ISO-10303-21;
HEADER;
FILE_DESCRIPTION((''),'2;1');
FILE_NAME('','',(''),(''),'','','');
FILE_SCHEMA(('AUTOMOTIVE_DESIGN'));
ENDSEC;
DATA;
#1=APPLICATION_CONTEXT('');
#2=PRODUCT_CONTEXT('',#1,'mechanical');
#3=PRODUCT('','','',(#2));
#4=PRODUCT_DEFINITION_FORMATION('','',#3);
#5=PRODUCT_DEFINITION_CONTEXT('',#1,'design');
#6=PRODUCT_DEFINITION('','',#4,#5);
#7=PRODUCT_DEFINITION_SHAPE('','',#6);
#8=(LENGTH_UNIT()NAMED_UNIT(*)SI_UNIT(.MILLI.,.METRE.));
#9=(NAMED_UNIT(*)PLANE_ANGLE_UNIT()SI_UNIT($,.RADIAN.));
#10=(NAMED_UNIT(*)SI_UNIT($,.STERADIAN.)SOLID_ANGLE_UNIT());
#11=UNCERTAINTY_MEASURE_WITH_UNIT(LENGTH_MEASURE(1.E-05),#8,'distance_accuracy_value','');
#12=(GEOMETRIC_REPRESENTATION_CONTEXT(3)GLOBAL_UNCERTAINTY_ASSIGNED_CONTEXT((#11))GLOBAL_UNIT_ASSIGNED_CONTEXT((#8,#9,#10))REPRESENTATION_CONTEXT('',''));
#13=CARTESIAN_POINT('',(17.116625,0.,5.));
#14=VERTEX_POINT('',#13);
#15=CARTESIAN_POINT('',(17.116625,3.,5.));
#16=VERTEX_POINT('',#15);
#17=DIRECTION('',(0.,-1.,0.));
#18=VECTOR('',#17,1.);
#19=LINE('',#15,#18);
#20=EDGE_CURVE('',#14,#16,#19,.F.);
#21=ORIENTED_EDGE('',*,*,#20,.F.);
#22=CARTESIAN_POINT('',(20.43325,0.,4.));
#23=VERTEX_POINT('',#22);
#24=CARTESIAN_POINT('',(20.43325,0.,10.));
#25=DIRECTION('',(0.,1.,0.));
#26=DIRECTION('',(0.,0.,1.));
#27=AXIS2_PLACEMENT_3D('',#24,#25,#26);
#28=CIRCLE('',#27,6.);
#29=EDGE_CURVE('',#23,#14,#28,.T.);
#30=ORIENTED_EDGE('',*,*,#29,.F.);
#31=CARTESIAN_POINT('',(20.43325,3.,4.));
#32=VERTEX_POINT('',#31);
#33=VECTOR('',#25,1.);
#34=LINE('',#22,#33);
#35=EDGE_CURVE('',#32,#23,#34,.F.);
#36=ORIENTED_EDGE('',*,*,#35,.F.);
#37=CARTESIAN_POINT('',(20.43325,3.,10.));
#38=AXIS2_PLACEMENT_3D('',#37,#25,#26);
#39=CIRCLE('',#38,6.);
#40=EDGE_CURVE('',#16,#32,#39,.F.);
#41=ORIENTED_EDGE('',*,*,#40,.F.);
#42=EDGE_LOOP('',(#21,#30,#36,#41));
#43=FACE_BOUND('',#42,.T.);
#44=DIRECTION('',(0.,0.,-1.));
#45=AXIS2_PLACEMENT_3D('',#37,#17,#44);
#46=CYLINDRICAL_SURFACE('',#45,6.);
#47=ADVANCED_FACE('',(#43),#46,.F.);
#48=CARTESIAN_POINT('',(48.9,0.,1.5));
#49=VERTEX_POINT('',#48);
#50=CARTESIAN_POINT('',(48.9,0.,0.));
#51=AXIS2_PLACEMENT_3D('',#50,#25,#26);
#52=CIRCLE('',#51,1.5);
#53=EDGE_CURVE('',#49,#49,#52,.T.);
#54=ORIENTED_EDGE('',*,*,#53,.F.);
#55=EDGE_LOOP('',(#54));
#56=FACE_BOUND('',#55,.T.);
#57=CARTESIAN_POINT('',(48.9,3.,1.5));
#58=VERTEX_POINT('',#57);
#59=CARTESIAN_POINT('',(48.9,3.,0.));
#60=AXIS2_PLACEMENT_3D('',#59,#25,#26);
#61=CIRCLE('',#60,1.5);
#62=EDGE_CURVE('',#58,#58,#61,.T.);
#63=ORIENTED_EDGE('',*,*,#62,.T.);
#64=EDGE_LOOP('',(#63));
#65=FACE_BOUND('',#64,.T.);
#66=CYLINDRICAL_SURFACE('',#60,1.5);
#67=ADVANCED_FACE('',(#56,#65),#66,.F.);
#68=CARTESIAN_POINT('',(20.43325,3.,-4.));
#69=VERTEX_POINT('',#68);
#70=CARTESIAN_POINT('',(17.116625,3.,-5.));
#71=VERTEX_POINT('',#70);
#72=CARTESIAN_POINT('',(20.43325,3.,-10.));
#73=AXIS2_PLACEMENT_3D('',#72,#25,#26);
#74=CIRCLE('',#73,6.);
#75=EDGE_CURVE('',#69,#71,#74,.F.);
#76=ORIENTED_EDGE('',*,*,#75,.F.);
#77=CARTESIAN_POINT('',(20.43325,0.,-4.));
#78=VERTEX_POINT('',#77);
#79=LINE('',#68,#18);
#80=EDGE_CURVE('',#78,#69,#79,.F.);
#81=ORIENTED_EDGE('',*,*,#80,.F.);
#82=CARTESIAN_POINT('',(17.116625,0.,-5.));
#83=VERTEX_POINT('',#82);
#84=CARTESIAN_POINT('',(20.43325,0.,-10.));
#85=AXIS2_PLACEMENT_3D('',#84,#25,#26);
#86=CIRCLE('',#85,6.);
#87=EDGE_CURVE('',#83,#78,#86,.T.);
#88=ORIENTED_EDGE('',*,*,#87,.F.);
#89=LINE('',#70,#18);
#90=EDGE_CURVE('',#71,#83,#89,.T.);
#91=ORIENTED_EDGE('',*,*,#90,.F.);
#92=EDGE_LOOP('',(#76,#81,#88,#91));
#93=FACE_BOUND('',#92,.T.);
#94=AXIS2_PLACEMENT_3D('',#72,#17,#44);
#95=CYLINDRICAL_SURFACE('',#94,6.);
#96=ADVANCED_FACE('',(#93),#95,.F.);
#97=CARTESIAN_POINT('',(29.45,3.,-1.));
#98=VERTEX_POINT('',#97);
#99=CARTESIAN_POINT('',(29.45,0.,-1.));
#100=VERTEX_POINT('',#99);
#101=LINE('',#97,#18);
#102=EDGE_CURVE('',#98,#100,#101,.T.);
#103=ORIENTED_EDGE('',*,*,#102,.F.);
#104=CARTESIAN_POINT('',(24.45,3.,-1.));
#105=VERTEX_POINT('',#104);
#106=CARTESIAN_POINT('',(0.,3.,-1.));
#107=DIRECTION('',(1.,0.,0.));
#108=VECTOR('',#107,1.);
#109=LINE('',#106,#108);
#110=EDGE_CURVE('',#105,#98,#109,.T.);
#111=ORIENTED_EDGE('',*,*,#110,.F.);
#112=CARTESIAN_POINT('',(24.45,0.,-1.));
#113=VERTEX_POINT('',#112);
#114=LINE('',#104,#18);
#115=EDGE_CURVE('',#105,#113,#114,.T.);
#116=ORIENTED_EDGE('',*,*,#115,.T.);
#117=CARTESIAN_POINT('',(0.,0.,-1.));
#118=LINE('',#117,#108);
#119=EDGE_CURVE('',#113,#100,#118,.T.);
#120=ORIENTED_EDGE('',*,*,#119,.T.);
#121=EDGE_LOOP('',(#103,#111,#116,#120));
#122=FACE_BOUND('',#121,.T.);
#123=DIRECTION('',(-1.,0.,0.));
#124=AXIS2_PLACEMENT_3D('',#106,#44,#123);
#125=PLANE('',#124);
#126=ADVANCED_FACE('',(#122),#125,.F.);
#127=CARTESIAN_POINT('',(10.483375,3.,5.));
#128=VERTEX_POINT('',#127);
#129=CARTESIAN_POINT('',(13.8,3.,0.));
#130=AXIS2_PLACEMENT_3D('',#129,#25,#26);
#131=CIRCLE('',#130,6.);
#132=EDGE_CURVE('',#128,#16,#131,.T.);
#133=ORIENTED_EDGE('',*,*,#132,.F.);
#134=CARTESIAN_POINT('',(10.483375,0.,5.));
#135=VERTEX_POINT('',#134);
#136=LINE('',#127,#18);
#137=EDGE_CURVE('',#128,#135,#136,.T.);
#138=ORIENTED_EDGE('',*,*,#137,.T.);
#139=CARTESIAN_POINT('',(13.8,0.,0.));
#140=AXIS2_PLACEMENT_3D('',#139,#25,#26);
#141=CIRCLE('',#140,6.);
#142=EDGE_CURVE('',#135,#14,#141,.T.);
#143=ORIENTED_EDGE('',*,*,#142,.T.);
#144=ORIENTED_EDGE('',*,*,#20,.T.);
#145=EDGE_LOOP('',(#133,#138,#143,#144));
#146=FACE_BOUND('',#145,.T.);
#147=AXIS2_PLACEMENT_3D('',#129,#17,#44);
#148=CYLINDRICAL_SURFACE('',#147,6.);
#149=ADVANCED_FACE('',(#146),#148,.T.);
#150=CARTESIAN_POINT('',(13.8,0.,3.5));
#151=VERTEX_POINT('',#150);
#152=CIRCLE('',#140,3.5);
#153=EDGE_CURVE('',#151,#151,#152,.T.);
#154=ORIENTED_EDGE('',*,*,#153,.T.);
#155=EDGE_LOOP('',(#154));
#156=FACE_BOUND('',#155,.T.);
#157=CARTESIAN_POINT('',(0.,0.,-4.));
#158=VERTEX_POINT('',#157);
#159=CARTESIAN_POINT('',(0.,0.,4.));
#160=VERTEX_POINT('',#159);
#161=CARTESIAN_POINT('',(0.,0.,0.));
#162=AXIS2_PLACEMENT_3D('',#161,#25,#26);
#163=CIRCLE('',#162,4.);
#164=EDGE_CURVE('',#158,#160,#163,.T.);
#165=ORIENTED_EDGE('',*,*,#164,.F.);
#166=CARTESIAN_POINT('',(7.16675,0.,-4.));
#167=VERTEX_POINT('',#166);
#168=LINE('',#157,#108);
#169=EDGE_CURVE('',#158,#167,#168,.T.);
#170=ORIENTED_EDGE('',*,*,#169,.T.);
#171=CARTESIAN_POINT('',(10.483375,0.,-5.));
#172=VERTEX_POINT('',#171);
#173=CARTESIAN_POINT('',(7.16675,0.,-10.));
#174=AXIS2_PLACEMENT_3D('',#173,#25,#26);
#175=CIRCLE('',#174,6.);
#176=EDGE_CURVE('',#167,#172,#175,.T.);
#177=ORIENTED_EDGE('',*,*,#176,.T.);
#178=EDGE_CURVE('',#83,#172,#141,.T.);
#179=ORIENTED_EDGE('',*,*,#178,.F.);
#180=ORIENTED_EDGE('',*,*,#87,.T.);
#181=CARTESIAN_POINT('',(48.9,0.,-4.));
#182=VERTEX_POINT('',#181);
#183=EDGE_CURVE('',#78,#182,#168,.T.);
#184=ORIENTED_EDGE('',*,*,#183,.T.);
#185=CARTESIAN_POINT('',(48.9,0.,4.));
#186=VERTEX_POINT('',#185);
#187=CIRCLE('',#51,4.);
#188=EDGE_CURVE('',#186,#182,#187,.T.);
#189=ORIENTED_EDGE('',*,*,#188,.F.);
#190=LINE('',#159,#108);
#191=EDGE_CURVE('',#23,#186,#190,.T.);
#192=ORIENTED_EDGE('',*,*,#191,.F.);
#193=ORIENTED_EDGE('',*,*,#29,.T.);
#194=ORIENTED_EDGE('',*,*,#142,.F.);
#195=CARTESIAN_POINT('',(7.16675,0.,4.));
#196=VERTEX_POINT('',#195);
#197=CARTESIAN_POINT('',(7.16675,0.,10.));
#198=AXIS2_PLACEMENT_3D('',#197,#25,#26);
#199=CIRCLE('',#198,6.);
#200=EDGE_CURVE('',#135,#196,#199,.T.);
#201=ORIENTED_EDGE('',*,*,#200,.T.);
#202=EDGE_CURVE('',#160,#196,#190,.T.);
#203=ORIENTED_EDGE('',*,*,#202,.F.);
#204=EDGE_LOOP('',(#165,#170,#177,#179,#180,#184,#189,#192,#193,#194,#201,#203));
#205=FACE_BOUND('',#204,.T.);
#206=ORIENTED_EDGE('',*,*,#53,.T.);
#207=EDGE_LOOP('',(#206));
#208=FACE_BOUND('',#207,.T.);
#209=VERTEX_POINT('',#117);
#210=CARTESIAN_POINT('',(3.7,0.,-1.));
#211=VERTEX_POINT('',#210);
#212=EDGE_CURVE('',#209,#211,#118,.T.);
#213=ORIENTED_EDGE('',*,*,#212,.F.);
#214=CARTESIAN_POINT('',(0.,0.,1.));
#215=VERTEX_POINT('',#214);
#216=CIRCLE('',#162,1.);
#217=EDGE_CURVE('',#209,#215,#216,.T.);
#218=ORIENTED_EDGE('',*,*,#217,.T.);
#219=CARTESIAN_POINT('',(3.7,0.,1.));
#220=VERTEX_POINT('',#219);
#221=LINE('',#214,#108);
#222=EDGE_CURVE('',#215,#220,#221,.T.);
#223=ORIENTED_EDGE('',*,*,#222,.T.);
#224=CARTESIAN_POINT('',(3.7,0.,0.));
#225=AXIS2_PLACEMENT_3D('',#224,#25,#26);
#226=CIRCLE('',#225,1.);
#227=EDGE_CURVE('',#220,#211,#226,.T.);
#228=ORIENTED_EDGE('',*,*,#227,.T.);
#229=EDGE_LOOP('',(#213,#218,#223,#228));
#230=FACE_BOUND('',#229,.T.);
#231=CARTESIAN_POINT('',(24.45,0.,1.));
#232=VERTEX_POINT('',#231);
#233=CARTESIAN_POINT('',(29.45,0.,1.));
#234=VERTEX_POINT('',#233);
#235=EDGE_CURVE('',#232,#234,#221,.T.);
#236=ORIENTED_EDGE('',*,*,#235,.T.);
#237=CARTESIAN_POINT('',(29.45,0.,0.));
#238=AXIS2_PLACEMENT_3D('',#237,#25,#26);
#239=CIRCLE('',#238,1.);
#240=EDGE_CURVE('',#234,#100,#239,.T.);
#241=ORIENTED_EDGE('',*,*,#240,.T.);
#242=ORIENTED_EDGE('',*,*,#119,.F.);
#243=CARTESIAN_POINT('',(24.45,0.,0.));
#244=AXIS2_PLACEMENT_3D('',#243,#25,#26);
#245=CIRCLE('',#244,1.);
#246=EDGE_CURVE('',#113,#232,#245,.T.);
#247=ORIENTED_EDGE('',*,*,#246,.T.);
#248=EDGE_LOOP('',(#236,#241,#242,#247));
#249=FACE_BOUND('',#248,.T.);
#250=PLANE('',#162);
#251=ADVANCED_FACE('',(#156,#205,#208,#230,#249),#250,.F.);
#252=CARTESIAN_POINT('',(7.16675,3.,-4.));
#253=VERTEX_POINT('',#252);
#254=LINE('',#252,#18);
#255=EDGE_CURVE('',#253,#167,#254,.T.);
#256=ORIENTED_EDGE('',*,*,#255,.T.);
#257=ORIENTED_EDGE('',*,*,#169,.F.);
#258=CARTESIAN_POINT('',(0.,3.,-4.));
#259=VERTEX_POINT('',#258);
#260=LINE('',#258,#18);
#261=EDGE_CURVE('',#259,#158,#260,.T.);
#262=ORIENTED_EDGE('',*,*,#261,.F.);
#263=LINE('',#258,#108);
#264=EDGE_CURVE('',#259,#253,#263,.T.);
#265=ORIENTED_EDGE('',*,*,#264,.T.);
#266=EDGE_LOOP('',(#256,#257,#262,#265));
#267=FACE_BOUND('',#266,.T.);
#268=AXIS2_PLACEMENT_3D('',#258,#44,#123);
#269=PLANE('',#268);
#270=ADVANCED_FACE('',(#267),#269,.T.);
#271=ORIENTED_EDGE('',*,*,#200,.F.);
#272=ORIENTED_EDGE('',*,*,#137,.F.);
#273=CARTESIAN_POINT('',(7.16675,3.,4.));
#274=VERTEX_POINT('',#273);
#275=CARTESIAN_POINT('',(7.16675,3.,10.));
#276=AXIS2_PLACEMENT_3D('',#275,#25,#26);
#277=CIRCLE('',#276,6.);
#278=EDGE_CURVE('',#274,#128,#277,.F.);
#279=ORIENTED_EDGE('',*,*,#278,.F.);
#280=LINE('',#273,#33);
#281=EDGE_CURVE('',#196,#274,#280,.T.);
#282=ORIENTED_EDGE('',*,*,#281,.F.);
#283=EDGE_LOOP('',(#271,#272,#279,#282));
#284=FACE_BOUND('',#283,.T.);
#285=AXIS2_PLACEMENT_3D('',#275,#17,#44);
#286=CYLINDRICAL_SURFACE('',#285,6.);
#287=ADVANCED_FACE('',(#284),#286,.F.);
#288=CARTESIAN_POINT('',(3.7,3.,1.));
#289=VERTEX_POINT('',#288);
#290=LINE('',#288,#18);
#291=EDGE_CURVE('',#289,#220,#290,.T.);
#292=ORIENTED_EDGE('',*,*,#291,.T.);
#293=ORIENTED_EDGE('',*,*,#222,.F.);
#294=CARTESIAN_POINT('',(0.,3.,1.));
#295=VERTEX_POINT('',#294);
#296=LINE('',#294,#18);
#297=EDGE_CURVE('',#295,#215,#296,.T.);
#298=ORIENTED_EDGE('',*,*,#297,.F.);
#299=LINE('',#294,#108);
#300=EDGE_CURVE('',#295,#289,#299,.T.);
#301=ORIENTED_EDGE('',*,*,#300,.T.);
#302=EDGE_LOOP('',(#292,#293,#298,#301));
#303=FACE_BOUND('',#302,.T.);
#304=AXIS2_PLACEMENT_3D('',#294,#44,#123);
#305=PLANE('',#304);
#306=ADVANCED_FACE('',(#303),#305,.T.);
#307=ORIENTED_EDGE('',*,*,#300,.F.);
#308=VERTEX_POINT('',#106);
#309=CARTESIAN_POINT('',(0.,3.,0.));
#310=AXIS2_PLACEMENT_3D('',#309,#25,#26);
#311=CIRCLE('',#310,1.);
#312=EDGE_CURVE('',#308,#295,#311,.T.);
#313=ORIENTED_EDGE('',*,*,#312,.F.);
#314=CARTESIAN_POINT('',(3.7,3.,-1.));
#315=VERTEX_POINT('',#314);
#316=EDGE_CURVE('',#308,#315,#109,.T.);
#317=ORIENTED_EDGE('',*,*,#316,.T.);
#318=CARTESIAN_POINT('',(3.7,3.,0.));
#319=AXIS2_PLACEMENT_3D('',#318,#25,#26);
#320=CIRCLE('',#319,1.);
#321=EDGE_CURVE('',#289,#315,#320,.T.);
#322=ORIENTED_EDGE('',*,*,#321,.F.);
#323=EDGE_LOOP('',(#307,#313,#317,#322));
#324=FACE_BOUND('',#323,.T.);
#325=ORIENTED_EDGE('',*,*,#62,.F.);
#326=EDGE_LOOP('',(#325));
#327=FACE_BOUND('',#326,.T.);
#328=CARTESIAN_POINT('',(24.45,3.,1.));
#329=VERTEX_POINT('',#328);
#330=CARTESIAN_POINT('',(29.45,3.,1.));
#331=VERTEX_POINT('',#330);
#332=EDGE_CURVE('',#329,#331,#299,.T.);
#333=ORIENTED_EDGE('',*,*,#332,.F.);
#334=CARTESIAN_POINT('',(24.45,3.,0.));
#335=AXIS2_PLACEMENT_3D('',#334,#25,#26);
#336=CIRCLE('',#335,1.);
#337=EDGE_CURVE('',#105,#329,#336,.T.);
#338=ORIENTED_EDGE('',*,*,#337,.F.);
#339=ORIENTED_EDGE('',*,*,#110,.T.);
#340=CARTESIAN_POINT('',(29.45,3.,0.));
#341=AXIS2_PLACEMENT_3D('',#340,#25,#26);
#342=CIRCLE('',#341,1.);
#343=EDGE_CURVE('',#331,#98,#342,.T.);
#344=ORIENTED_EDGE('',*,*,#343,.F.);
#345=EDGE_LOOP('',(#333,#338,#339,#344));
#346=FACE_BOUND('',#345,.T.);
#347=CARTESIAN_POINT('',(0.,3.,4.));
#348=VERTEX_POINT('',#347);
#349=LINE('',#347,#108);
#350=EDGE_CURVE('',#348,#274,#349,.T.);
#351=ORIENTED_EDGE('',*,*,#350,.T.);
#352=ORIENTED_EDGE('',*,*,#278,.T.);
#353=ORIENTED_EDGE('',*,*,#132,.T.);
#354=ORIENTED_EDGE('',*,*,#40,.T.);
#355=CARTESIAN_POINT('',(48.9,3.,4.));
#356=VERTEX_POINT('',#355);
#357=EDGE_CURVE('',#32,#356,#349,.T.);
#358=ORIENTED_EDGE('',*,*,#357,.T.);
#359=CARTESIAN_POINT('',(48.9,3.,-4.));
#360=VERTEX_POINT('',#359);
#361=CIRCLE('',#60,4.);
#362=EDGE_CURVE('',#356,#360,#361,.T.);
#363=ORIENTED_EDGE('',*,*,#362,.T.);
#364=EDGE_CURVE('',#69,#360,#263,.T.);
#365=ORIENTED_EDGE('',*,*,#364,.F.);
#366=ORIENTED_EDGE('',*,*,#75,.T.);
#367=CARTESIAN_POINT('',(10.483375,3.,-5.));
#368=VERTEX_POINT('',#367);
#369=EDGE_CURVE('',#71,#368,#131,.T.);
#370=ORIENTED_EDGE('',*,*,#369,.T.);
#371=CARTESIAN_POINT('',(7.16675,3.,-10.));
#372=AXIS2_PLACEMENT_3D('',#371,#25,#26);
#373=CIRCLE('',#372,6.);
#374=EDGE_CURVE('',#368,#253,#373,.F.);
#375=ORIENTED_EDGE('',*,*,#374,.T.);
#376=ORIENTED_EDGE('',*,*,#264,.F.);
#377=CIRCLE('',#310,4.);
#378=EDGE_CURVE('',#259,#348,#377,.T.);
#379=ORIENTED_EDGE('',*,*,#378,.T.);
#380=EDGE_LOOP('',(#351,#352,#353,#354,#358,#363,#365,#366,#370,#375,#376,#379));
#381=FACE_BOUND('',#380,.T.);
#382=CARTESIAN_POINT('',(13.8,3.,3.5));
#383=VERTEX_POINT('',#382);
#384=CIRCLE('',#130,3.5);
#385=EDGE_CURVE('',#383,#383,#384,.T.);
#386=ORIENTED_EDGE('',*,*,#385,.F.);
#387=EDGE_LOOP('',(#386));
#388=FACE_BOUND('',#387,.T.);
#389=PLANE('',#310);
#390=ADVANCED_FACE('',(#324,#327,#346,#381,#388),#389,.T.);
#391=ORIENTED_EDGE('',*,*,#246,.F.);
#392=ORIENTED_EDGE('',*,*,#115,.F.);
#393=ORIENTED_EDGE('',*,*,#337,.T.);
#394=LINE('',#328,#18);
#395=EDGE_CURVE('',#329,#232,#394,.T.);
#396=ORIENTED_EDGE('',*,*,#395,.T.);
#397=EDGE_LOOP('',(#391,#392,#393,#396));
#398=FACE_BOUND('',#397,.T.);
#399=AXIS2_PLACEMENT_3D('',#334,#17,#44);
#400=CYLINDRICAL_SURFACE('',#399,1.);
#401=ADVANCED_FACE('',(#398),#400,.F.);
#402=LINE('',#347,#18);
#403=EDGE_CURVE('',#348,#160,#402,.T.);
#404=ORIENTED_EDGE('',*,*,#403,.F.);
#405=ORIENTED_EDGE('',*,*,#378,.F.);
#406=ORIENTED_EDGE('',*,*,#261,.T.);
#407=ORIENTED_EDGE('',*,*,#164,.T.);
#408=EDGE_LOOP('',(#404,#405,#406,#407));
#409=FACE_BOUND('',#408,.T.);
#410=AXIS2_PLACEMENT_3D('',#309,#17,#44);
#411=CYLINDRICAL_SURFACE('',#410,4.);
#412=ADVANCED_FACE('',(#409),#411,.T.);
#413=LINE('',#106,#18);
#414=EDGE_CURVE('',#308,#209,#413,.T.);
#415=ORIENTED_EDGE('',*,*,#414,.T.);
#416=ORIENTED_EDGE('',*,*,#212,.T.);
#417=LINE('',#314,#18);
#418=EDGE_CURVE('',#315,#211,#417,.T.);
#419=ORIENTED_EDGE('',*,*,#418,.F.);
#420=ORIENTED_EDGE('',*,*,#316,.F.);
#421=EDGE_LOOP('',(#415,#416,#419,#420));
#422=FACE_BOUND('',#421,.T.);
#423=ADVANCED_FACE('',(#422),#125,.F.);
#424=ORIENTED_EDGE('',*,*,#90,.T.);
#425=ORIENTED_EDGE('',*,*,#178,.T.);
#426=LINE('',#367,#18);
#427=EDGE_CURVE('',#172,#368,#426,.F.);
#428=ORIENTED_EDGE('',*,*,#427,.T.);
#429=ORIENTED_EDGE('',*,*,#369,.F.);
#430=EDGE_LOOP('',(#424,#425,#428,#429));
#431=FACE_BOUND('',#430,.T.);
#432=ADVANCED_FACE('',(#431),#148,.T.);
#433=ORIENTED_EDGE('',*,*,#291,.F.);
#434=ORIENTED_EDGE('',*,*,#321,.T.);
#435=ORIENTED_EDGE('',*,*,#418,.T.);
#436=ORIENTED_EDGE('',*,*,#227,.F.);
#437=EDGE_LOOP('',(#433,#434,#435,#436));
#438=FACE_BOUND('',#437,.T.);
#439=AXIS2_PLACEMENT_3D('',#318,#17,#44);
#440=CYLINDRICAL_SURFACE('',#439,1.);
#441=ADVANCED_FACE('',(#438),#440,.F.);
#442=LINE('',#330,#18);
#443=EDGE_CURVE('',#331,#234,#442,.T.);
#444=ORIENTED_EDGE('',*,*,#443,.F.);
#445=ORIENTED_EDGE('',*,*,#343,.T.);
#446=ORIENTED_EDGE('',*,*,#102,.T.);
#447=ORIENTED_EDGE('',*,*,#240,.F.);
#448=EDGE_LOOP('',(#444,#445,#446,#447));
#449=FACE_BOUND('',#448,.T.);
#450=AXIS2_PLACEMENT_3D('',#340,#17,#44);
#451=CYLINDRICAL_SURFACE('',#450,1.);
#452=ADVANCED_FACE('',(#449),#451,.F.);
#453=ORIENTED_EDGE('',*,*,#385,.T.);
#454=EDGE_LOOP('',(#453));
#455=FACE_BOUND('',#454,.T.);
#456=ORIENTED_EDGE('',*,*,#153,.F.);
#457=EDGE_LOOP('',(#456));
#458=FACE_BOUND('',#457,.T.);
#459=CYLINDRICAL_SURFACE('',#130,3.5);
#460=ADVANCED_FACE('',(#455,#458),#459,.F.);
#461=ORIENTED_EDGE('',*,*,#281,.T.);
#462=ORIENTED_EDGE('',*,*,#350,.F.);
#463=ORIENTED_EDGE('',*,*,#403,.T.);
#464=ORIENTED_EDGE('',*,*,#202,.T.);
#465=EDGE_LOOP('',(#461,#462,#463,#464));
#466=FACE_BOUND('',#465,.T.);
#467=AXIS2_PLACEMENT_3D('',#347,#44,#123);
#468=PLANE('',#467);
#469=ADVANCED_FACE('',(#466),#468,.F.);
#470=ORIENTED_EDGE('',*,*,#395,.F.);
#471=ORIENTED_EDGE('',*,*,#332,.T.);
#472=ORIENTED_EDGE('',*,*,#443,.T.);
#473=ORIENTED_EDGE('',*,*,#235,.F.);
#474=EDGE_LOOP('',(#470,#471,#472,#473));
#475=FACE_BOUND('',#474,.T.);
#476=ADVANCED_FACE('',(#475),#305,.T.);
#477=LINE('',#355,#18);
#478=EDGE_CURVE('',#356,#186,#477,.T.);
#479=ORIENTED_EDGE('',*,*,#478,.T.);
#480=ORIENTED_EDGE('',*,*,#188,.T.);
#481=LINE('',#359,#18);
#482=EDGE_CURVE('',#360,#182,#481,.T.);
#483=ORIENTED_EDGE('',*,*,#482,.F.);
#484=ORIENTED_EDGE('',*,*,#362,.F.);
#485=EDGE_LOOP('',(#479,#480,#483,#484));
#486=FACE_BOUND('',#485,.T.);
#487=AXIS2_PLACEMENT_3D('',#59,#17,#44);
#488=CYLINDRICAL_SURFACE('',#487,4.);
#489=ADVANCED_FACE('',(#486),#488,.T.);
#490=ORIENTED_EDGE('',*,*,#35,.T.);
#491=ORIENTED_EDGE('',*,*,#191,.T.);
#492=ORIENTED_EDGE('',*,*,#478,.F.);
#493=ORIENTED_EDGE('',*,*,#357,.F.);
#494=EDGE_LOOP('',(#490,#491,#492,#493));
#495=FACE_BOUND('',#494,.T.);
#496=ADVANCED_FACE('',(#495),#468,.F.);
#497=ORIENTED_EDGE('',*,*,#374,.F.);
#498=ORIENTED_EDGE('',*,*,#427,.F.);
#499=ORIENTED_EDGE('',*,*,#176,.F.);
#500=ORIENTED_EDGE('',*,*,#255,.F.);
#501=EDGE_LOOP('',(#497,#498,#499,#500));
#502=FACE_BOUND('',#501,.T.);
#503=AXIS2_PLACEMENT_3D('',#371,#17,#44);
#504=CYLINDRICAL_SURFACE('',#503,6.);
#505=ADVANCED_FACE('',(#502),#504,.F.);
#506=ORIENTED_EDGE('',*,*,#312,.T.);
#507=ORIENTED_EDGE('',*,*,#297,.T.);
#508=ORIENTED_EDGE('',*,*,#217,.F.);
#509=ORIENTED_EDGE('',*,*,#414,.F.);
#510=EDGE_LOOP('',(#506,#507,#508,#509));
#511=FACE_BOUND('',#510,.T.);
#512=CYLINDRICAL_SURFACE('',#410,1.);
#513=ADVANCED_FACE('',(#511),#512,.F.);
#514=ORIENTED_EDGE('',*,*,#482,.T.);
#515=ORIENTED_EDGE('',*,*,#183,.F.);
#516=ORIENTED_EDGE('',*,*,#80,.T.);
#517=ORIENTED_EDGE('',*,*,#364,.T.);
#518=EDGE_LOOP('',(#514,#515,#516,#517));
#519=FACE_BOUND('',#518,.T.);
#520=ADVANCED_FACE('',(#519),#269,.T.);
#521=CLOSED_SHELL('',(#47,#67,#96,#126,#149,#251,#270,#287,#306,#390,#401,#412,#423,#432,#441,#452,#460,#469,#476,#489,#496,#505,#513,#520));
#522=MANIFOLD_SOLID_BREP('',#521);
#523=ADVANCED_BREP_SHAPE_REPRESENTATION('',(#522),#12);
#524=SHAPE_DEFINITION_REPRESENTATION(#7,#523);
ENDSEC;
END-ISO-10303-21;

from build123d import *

# Parameters (mm, degrees)
ESBO_O1_R                  = 6
RESSALTO_EXTRUS_O1_DEPTH   = 3
FURO_DE_DI_METRO_3_0_3_1_D = 3
FURO_DE_DI_METRO_7_0_7_1_D = 7
FILETE1_R                  = 6


with BuildPart() as part:
    # Esboço1 → Ressalto-extrusão1 (new body)
    # profile 1 of 2: a face of its own
    with BuildSketch(Plane(origin=(0, 0, 0), x_dir=(1, 0, 0), z_dir=(0, 1, 0))):
        with Locations((13.8, 0)):
            Circle(ESBO_O1_R)
    # profile 2 of 2: a face of its own
    with BuildSketch(Plane(origin=(0, 0, 0), x_dir=(1, 0, 0), z_dir=(0, 1, 0))):
        with BuildLine():
            Line((0, 4), (48.9, 4))
            ThreePointArc((48.9, 4), (52.9, 0), (48.9, -4))
            Line((48.9, -4), (0, -4))
            ThreePointArc((0, -4), (-4, 0), (0, 4))
        make_face()
        with BuildLine():
            Line((0, 1), (3.7, 1))
            ThreePointArc((3.7, 1), (4.7, 0), (3.7, -1))
            Line((3.7, -1), (0, -1))
            ThreePointArc((0, -1), (-1, 0), (0, 1))
        make_face(mode=Mode.SUBTRACT)
        with BuildLine():
            Line((24.45, 1), (29.45, 1))
            ThreePointArc((29.45, 1), (30.45, 0), (29.45, -1))
            Line((29.45, -1), (24.45, -1))
            ThreePointArc((24.45, -1), (23.45, 0), (24.45, 1))
        make_face(mode=Mode.SUBTRACT)
    extrude(amount=RESSALTO_EXTRUS_O1_DEPTH)

    # Furo de diâmetro Ø3.0 (3)1 (through all)
    with Locations(Plane(origin=(0, 3, 0), x_dir=(1, 0, 0), z_dir=(0, 1, 0))):
        with Locations((48.9, 0)):
            Hole(FURO_DE_DI_METRO_3_0_3_1_D / 2)

    # Furo de diâmetro Ø7.0 (7)1 (through all)
    with Locations(Plane(origin=(0, 3, 0), x_dir=(1, 0, 0), z_dir=(0, 1, 0))):
        with Locations((13.8, 0)):
            Hole(FURO_DE_DI_METRO_7_0_7_1_D / 2)

    # Filete1
    filete1_edges = [part.edges().sort_by_distance(p)[0] for p in [
        (9.327864045, 1.5, -4),
        (18.272135955, 1.5, -4),
        (18.272135955, 1.5, 4),
        (9.327864045, 1.5, 4),
    ]]
    fillet(filete1_edges, radius=FILETE1_R)


solid = part.part
